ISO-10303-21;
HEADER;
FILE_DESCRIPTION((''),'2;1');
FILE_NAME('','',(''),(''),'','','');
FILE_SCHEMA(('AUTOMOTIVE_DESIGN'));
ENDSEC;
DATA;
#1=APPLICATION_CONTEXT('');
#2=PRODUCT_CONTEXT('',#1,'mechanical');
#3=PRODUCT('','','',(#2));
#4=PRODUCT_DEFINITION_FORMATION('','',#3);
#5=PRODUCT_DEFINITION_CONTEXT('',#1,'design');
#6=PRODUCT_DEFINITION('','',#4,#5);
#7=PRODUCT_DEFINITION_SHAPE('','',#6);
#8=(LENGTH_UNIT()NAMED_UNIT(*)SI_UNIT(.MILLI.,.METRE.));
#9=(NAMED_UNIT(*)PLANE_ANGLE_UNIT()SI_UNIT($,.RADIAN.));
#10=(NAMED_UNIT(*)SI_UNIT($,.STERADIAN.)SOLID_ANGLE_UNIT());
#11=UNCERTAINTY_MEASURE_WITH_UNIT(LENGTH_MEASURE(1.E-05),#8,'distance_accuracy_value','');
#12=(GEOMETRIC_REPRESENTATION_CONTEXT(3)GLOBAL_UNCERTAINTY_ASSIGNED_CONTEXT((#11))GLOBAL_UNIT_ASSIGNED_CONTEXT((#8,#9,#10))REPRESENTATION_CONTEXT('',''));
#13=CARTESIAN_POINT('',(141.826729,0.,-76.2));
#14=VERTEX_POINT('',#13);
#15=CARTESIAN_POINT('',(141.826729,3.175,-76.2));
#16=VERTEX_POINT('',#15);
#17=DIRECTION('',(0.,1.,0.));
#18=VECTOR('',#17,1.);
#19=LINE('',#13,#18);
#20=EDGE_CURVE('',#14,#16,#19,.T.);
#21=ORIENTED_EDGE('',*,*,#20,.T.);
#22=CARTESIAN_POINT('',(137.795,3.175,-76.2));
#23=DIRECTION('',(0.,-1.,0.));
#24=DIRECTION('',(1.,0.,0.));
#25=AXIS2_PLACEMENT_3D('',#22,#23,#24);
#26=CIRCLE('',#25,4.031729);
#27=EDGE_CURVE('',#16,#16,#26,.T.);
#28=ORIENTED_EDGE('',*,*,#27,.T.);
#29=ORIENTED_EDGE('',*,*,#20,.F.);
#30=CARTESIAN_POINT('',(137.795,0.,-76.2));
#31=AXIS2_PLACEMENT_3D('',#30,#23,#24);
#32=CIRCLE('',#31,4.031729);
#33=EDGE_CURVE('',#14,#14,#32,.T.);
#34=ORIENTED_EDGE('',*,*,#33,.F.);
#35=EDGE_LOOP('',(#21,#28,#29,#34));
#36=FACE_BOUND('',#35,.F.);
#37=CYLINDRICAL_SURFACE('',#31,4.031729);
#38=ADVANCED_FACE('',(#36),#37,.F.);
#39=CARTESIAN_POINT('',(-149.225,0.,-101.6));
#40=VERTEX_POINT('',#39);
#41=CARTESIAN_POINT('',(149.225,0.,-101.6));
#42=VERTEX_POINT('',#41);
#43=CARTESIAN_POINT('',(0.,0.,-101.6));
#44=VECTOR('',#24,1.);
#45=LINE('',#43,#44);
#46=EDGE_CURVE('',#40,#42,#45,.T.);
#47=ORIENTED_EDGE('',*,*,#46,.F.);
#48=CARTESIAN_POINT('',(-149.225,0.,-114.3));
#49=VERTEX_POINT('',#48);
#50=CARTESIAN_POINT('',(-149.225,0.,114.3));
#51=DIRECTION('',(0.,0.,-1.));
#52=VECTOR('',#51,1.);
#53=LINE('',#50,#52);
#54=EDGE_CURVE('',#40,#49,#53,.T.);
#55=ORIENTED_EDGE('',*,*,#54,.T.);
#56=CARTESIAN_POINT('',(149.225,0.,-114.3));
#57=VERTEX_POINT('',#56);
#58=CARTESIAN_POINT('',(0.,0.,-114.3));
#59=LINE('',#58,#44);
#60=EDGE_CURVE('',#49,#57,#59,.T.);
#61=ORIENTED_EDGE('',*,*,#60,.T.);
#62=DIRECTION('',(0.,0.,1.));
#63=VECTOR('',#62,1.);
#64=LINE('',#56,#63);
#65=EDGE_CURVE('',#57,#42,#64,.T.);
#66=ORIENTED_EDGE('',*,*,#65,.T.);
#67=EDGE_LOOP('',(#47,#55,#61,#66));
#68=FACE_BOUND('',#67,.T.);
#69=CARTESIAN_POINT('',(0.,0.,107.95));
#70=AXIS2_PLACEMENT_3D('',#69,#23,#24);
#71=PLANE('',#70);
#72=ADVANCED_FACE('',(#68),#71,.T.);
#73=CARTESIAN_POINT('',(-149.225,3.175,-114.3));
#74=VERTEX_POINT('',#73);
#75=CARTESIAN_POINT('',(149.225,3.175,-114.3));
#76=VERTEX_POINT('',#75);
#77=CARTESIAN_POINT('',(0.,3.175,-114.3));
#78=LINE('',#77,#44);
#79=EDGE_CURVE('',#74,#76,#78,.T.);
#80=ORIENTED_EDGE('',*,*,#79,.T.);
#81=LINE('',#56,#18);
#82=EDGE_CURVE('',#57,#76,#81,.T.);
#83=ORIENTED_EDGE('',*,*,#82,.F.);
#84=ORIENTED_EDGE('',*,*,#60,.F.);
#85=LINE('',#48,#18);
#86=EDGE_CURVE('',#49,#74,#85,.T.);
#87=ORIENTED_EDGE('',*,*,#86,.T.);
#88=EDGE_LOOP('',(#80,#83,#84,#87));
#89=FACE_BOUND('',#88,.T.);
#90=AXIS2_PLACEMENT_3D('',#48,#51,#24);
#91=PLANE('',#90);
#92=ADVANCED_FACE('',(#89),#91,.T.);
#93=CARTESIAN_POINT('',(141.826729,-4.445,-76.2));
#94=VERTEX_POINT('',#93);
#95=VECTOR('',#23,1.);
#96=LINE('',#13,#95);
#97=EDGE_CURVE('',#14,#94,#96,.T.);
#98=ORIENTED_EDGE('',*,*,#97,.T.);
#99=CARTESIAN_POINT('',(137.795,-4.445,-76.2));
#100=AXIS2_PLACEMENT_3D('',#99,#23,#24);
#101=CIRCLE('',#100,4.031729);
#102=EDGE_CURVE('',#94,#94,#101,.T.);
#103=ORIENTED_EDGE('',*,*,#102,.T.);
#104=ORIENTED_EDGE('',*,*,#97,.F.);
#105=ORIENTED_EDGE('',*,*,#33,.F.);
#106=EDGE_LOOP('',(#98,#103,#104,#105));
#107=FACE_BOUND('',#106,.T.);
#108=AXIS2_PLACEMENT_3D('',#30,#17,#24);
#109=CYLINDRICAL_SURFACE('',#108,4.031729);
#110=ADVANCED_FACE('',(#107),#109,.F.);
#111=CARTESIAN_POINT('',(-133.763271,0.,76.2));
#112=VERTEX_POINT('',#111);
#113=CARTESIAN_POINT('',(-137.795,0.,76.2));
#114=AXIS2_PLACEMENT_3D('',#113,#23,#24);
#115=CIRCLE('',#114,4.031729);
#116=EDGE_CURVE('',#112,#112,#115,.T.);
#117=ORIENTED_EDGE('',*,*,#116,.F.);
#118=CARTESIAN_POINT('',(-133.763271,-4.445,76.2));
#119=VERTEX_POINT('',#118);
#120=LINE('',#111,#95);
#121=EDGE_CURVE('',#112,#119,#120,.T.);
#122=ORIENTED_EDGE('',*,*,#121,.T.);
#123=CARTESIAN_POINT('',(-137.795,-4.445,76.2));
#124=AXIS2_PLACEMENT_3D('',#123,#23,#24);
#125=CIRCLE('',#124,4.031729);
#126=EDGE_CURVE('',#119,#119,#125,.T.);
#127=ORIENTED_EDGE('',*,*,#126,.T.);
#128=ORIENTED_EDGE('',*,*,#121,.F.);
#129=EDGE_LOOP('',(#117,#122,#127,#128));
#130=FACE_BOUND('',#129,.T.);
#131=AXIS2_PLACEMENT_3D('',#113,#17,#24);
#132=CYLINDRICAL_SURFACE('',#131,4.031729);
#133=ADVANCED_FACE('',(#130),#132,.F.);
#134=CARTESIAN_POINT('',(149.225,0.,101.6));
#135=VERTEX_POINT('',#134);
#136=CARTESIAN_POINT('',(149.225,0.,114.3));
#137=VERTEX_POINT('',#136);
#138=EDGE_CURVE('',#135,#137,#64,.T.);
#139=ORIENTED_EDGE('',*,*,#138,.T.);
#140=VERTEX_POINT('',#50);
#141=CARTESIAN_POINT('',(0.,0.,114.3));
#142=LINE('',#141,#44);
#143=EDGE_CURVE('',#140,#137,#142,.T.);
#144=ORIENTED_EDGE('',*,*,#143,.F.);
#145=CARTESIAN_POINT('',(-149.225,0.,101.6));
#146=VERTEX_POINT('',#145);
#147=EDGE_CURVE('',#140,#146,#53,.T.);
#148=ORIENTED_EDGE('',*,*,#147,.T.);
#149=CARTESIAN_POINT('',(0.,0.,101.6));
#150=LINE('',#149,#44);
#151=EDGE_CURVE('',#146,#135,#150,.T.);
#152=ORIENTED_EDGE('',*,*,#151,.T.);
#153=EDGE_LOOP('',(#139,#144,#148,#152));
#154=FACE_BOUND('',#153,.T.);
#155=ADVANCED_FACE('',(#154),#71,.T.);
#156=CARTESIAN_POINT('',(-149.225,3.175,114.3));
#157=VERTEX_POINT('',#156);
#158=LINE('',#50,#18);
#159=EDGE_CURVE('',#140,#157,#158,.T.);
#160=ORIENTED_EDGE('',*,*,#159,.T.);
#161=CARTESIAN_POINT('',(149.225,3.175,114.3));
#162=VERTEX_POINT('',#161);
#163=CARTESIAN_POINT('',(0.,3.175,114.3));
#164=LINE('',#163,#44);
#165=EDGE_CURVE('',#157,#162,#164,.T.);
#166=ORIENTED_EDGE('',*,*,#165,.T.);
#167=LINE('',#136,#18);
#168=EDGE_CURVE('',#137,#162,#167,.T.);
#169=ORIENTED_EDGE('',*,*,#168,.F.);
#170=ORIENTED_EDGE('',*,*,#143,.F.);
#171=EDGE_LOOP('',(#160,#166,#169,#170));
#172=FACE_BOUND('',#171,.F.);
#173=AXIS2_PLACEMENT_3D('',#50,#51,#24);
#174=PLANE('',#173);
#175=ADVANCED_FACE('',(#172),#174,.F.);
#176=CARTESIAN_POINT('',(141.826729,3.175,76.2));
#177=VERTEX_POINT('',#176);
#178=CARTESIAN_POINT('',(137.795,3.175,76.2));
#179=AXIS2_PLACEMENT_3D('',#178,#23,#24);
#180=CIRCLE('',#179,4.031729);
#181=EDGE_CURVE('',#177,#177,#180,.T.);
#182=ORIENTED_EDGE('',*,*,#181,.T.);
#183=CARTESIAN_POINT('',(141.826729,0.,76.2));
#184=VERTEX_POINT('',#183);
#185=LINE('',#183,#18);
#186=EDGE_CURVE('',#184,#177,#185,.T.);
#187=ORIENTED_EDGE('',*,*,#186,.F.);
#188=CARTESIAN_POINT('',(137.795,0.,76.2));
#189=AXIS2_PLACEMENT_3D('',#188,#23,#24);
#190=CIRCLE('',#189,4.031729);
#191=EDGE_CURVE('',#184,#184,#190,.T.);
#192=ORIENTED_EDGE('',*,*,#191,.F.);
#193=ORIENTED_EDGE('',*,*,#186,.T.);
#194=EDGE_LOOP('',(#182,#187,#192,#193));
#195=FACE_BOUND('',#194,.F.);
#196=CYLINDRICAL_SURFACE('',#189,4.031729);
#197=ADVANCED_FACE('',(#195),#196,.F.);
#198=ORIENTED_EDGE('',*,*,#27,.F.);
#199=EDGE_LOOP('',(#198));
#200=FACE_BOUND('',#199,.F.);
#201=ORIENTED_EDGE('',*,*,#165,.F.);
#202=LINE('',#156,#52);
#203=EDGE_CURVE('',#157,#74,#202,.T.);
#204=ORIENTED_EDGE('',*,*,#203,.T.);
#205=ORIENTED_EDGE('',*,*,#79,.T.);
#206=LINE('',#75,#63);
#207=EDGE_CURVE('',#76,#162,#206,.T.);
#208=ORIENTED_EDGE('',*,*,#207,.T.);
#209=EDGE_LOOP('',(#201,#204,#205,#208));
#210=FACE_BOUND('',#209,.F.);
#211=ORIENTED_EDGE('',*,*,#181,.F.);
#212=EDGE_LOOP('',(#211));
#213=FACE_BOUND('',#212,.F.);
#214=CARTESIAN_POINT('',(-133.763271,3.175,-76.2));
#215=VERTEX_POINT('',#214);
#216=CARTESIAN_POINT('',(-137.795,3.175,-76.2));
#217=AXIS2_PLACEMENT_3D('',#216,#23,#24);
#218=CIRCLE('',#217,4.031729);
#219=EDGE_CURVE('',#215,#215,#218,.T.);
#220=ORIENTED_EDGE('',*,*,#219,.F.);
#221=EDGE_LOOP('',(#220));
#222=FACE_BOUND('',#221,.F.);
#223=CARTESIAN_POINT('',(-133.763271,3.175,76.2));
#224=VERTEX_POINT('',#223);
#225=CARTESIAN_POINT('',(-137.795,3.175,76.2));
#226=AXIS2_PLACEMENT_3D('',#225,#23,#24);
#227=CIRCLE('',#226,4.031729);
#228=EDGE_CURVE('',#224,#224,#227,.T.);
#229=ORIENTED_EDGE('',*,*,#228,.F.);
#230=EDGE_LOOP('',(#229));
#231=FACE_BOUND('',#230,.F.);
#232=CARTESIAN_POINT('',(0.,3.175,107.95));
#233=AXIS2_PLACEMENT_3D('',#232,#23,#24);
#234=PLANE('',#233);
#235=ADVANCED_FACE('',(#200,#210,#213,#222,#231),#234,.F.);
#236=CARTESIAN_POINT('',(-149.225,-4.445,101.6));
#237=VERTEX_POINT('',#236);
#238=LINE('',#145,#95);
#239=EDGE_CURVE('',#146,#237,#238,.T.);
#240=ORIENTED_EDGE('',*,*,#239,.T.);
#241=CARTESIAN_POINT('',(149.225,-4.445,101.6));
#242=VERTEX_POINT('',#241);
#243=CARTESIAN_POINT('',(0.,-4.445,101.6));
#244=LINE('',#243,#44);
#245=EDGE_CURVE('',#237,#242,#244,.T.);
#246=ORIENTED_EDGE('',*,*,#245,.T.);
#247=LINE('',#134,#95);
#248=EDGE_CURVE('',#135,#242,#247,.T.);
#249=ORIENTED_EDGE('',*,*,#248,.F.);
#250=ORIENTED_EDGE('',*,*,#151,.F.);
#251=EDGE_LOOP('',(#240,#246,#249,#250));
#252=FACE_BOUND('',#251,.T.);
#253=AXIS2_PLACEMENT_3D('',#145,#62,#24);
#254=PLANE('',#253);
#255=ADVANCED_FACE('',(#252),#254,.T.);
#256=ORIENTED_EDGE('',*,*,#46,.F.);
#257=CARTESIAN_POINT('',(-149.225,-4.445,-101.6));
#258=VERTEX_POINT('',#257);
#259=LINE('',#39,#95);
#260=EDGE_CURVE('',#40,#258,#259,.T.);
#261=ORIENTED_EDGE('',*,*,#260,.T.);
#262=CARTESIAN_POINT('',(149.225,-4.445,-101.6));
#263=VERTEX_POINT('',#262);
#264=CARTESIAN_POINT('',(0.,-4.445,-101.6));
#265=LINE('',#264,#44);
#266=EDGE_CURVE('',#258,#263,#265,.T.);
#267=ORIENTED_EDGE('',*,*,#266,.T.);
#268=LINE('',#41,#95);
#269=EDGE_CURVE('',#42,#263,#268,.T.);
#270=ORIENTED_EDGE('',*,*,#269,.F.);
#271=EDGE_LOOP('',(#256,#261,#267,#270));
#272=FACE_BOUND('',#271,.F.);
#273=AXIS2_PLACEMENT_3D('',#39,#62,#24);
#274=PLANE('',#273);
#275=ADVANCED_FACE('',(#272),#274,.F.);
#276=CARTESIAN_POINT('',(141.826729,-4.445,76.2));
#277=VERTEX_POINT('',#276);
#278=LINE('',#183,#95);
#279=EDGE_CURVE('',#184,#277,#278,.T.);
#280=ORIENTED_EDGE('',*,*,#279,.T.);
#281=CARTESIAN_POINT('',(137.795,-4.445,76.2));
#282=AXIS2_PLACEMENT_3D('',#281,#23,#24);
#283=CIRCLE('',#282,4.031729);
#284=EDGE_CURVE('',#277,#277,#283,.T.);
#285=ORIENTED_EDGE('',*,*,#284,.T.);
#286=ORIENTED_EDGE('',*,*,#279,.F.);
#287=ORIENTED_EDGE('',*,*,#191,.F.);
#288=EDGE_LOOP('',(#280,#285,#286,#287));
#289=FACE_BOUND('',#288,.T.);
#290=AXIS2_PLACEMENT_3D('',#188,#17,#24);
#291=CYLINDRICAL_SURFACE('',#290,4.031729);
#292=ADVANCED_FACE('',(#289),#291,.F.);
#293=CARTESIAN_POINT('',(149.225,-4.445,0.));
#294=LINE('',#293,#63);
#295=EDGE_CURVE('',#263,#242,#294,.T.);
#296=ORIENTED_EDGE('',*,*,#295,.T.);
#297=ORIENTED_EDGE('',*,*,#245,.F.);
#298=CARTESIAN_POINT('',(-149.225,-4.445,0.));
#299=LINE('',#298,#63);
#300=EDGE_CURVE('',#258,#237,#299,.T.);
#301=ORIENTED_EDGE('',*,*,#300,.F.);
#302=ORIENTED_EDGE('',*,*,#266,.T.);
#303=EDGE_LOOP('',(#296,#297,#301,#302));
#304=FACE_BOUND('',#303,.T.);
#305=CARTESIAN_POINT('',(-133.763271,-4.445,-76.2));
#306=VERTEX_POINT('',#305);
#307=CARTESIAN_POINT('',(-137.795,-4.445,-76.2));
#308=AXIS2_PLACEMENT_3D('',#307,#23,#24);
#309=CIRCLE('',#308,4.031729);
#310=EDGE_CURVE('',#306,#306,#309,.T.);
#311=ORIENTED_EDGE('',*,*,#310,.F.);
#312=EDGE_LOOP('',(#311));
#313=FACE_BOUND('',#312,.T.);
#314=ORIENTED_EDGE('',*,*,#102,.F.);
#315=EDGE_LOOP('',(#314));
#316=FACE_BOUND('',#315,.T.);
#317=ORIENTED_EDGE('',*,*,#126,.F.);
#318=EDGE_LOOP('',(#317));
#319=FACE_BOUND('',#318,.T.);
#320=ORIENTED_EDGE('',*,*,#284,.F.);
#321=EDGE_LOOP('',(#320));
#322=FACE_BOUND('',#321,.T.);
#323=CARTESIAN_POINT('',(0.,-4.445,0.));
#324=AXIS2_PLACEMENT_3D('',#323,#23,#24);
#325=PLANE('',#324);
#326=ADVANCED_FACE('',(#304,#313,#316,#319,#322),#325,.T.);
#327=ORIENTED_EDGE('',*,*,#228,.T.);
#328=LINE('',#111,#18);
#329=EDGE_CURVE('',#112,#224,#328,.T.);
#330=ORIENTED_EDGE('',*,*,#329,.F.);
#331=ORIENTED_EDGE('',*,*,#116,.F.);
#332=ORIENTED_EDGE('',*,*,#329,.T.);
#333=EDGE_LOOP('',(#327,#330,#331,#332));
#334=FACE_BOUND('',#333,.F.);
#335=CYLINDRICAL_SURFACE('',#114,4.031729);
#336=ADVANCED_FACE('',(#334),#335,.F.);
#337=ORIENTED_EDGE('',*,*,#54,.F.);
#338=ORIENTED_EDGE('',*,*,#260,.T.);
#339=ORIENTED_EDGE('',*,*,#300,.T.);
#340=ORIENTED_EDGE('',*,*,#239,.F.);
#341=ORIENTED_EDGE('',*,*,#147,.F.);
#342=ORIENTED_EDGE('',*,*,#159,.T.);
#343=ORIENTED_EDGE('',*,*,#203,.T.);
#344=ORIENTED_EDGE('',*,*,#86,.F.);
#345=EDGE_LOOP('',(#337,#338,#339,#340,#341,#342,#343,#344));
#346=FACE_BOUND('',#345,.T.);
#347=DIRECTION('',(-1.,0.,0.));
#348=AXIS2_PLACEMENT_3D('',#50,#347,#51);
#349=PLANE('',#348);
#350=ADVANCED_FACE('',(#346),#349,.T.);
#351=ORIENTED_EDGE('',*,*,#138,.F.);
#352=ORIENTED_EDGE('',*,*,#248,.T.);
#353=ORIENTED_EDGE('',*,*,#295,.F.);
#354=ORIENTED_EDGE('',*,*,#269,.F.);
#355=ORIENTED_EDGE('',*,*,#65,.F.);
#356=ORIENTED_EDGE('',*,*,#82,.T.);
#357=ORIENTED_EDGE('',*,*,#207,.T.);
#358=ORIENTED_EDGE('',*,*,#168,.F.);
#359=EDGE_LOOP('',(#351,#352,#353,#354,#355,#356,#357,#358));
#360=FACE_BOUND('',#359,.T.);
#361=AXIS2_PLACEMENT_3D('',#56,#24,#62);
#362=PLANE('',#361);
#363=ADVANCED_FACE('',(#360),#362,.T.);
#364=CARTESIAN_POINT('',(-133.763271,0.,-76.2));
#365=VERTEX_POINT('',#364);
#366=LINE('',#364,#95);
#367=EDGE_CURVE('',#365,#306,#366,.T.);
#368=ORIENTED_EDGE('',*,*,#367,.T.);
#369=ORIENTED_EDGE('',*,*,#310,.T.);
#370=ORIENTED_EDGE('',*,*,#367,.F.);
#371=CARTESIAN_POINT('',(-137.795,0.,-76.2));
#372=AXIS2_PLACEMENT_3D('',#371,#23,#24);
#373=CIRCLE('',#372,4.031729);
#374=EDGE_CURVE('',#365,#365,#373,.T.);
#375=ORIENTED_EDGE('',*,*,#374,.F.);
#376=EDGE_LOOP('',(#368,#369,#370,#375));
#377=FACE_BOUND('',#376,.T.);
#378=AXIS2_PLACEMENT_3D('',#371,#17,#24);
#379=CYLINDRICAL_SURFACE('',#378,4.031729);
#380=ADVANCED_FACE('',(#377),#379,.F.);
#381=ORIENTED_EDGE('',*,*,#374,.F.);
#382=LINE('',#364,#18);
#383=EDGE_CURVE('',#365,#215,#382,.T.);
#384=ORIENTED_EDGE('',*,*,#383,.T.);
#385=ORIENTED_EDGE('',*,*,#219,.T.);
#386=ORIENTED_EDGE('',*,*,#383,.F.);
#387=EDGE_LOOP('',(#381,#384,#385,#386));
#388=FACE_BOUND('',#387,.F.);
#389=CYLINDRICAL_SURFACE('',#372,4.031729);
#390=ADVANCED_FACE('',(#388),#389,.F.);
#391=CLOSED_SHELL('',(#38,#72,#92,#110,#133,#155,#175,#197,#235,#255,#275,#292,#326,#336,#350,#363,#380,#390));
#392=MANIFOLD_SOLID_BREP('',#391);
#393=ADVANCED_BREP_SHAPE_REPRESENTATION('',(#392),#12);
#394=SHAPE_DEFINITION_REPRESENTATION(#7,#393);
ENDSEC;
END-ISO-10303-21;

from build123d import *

# Parameters (mm, degrees)
F0_W     = 298.45
F0_H     = 203.2
F0_R     = 4.031729
F1_DEPTH = 4.445
F0_H_2   = 12.7
F2_DEPTH = 3.175


with BuildPart() as f1:
    # F0 (on Front) → F1 (new body)
    with BuildSketch(Plane.XZ):
        Rectangle(F0_W, F0_H)
        with Locations((-137.795, -76.2)):
            Circle(F0_R, mode=Mode.SUBTRACT)
        with Locations((137.795, -76.2)):
            Circle(F0_R, mode=Mode.SUBTRACT)
        with Locations((-137.795, 76.2)):
            Circle(F0_R, mode=Mode.SUBTRACT)
        with Locations((137.795, 76.2)):
            Circle(F0_R, mode=Mode.SUBTRACT)
    extrude(amount=F1_DEPTH)

    # F0 (on Front) → F2 (join)
    with BuildSketch(Plane.XZ):
        with Locations((0, 107.95)):
            Rectangle(F0_W, F0_H_2)
        Rectangle(F0_W, F0_H)
        with Locations((-137.795, -76.2)):
            Circle(F0_R, mode=Mode.SUBTRACT)
        with Locations((137.795, -76.2)):
            Circle(F0_R, mode=Mode.SUBTRACT)
        with Locations((-137.795, 76.2)):
            Circle(F0_R, mode=Mode.SUBTRACT)
        with Locations((137.795, 76.2)):
            Circle(F0_R, mode=Mode.SUBTRACT)
        with Locations((0, -107.95)):
            Rectangle(F0_W, F0_H_2)
    extrude(amount=-F2_DEPTH)


solid = f1.part
